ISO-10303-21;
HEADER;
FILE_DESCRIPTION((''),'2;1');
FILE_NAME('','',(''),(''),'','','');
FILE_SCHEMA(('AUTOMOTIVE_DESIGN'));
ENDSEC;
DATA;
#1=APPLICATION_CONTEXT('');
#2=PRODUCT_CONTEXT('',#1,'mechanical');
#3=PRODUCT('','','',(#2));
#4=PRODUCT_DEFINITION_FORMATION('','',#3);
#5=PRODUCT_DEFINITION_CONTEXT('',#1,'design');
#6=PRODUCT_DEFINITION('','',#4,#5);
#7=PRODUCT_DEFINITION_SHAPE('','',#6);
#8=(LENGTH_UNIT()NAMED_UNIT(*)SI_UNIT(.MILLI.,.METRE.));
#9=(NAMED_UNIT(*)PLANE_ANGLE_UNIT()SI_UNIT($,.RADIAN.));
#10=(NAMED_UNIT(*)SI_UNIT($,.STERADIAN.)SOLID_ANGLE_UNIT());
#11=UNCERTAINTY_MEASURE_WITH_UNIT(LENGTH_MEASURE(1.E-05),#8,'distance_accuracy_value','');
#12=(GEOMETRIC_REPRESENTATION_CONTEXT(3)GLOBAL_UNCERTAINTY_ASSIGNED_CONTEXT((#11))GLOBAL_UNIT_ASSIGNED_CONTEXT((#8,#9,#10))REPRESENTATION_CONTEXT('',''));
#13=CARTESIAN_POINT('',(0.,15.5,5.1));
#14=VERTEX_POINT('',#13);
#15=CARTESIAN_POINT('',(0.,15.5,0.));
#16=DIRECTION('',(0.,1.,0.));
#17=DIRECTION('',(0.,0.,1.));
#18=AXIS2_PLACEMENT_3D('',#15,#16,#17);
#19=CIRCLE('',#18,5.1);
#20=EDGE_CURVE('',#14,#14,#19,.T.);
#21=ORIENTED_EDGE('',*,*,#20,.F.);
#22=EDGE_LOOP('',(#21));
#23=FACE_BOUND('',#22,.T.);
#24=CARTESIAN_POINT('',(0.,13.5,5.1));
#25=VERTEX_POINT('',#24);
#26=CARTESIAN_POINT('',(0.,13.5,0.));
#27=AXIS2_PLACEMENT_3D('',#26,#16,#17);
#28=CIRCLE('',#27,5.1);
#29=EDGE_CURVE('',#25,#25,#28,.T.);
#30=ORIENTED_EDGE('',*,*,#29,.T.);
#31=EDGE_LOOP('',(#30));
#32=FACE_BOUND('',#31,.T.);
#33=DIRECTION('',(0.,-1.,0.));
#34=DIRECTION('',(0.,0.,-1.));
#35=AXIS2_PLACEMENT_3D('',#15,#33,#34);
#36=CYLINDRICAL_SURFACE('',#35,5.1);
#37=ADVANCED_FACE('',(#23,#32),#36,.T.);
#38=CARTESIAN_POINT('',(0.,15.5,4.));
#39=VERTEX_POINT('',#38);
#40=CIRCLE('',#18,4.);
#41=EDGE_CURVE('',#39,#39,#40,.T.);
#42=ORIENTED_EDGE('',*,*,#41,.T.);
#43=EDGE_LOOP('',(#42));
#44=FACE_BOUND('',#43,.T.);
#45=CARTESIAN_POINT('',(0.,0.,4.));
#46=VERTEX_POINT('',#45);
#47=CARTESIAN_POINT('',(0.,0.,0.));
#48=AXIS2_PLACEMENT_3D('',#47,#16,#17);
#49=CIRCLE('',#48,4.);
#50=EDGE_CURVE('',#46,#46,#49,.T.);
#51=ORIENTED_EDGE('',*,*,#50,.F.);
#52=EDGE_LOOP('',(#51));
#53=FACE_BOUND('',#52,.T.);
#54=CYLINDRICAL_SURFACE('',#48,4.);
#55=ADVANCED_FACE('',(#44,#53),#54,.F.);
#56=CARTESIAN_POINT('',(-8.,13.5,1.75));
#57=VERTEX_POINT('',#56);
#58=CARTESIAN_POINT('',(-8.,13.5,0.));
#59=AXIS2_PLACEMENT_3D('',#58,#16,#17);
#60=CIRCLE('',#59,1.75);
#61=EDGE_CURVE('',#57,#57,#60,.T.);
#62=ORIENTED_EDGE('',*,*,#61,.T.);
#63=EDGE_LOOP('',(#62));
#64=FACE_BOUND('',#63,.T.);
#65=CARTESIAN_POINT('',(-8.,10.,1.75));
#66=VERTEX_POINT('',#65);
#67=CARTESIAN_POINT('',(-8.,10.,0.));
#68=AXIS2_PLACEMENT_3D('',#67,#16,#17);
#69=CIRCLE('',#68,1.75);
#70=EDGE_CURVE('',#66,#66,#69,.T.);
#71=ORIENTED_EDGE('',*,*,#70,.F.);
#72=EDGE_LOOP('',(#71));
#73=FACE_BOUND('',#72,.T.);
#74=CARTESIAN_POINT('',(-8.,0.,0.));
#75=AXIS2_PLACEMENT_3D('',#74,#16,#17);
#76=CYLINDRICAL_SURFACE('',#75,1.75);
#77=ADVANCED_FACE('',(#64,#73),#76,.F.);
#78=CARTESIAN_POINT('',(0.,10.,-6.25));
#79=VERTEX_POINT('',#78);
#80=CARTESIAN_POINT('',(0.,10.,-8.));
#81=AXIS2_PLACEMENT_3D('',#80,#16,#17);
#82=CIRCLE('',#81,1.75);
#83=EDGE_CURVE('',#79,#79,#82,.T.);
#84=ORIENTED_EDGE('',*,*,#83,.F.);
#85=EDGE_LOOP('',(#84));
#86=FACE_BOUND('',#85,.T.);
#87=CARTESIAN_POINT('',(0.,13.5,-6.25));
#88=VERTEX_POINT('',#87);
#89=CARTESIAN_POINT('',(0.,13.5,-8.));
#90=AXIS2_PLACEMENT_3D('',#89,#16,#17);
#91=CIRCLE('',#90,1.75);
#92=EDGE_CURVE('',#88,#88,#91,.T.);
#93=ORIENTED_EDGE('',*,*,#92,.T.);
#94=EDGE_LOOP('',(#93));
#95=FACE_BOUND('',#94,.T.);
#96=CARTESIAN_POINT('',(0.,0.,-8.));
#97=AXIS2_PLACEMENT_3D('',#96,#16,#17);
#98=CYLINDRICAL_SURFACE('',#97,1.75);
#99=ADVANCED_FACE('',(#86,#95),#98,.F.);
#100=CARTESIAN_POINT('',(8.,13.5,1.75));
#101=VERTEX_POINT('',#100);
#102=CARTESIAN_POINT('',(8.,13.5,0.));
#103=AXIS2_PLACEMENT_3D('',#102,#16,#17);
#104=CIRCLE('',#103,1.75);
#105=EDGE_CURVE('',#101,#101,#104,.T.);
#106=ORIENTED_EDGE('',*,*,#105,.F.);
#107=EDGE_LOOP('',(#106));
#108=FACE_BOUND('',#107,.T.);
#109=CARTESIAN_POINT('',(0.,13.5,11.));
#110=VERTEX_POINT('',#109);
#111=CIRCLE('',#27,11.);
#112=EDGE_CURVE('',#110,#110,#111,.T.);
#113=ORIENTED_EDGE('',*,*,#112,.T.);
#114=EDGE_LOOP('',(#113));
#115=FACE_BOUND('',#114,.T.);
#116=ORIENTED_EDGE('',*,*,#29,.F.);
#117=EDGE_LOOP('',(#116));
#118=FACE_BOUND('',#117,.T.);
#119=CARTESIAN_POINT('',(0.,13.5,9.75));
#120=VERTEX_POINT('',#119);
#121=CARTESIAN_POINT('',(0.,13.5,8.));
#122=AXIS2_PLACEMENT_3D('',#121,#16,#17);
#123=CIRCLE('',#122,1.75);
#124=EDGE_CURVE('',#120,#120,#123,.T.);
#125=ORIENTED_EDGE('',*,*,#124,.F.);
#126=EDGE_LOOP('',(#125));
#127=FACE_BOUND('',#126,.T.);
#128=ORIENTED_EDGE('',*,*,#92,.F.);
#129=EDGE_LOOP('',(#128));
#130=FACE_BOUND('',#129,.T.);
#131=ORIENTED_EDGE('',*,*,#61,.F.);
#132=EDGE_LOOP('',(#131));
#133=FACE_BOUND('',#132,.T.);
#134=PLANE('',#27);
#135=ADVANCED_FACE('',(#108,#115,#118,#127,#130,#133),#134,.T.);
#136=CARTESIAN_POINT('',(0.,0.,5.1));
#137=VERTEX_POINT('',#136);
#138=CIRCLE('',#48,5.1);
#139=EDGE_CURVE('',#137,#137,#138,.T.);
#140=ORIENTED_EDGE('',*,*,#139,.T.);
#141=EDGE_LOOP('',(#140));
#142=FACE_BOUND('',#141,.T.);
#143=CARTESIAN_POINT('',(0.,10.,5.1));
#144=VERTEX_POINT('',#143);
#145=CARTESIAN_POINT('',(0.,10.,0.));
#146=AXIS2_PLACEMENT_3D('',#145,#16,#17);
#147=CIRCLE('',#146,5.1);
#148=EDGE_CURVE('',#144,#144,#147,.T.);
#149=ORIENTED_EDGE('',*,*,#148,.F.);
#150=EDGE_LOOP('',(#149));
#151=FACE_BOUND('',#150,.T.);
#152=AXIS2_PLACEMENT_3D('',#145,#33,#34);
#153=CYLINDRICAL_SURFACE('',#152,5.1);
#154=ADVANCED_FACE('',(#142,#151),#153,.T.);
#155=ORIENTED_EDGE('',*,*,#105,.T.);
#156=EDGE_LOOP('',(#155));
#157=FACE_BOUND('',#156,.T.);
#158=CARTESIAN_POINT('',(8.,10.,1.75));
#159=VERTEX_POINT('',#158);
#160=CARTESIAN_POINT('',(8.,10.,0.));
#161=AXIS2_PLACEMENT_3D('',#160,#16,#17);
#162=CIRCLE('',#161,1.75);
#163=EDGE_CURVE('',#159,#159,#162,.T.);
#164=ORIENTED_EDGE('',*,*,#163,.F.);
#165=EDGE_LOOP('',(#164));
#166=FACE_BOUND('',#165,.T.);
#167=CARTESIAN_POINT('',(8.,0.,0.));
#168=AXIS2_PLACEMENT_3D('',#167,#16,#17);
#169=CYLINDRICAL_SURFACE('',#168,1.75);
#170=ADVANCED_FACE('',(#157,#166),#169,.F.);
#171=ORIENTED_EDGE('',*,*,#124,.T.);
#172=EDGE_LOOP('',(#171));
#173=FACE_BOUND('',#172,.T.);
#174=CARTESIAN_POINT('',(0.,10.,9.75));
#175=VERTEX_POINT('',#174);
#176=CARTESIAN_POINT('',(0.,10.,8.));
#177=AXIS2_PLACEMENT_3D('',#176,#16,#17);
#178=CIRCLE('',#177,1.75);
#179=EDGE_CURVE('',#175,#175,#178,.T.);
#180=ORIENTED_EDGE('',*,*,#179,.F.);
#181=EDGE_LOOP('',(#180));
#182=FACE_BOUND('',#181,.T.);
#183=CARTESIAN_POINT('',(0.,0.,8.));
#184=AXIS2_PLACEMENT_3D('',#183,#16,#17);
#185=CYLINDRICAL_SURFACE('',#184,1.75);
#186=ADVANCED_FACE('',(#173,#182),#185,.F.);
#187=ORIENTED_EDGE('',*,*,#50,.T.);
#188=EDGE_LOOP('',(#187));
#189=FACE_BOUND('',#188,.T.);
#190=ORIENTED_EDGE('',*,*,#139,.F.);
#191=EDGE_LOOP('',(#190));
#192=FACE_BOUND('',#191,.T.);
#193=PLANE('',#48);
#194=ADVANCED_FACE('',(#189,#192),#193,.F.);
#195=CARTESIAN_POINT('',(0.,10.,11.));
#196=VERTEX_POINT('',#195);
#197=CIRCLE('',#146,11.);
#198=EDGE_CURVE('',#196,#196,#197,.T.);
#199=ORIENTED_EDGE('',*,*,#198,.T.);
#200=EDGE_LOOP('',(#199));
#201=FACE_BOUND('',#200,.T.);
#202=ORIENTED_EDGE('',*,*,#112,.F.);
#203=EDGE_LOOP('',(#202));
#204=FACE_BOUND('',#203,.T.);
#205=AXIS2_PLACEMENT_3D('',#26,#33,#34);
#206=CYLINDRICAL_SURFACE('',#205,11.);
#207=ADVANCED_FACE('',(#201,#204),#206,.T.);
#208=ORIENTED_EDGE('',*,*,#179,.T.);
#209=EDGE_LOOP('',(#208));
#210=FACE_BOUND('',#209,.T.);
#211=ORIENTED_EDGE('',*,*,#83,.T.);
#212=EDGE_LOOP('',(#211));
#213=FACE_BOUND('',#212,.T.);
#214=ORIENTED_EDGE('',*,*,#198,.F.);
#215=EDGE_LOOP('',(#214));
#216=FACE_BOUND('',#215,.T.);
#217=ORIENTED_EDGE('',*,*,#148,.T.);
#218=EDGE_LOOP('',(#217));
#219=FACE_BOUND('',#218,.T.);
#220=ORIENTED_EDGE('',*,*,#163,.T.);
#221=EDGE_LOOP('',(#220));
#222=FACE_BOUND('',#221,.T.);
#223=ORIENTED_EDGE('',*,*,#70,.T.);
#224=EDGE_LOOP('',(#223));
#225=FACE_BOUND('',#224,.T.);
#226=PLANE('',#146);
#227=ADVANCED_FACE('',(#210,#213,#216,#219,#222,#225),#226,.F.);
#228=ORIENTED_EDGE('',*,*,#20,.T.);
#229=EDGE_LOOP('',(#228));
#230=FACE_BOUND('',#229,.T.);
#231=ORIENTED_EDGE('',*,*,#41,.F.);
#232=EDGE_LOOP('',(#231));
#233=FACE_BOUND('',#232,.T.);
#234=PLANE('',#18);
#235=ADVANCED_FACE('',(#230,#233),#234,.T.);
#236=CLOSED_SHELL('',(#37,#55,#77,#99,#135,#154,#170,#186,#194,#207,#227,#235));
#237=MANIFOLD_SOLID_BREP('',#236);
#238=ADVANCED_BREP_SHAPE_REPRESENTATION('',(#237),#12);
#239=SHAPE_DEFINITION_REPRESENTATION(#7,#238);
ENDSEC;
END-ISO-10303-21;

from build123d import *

# Parameters (mm, degrees)
SKETCH_1_R          = 5.1
EXTRUDE_1_DEPTH     = 10
SKETCH_2_R          = 11
EXTRUDE_2_DEPTH     = 3.5
SKETCH_3_R          = 5.1
EXTRUDE_3_DEPTH     = 2
SKETCH_4_R          = 4
SKETCH_4_R_2        = 1.75
CUT_EXTRUDE_1_DEPTH = 16.5


with BuildPart() as part:
    # 草图1 → 凸台-拉伸1 (new body)
    with BuildSketch(Plane(origin=(0, 0, 0), x_dir=(1, 0, 0), z_dir=(0, 1, 0))):
        Circle(SKETCH_1_R)
    extrude(amount=EXTRUDE_1_DEPTH)

    # 草图2 → 凸台-拉伸2 (add)
    with BuildSketch(Plane(origin=(0, 10, 0), x_dir=(1, 0, 0), z_dir=(0, 1, 0))):
        Circle(SKETCH_2_R)
    extrude(amount=EXTRUDE_2_DEPTH)

    # 草图3 → 凸台-拉伸3 (add)
    with BuildSketch(Plane(origin=(0, 13.5, 0), x_dir=(1, 0, 0), z_dir=(0, 1, 0))):
        Circle(SKETCH_3_R)
    extrude(amount=EXTRUDE_3_DEPTH)

    # 草图4 → 切除-拉伸1 (cut, through all)
    with BuildSketch(Plane(origin=(0, 15.5, 0), x_dir=(1, 0, 0), z_dir=(0, 1, 0))):
        Circle(SKETCH_4_R)
        with Locations((-8, 0)):
            Circle(SKETCH_4_R_2)
        with Locations((0, -8)):
            Circle(SKETCH_4_R_2)
        with Locations((8, 0)):
            Circle(SKETCH_4_R_2)
        with Locations((0, 8)):
            Circle(SKETCH_4_R_2)
    extrude(amount=-CUT_EXTRUDE_1_DEPTH, mode=Mode.SUBTRACT)


solid = part.part
